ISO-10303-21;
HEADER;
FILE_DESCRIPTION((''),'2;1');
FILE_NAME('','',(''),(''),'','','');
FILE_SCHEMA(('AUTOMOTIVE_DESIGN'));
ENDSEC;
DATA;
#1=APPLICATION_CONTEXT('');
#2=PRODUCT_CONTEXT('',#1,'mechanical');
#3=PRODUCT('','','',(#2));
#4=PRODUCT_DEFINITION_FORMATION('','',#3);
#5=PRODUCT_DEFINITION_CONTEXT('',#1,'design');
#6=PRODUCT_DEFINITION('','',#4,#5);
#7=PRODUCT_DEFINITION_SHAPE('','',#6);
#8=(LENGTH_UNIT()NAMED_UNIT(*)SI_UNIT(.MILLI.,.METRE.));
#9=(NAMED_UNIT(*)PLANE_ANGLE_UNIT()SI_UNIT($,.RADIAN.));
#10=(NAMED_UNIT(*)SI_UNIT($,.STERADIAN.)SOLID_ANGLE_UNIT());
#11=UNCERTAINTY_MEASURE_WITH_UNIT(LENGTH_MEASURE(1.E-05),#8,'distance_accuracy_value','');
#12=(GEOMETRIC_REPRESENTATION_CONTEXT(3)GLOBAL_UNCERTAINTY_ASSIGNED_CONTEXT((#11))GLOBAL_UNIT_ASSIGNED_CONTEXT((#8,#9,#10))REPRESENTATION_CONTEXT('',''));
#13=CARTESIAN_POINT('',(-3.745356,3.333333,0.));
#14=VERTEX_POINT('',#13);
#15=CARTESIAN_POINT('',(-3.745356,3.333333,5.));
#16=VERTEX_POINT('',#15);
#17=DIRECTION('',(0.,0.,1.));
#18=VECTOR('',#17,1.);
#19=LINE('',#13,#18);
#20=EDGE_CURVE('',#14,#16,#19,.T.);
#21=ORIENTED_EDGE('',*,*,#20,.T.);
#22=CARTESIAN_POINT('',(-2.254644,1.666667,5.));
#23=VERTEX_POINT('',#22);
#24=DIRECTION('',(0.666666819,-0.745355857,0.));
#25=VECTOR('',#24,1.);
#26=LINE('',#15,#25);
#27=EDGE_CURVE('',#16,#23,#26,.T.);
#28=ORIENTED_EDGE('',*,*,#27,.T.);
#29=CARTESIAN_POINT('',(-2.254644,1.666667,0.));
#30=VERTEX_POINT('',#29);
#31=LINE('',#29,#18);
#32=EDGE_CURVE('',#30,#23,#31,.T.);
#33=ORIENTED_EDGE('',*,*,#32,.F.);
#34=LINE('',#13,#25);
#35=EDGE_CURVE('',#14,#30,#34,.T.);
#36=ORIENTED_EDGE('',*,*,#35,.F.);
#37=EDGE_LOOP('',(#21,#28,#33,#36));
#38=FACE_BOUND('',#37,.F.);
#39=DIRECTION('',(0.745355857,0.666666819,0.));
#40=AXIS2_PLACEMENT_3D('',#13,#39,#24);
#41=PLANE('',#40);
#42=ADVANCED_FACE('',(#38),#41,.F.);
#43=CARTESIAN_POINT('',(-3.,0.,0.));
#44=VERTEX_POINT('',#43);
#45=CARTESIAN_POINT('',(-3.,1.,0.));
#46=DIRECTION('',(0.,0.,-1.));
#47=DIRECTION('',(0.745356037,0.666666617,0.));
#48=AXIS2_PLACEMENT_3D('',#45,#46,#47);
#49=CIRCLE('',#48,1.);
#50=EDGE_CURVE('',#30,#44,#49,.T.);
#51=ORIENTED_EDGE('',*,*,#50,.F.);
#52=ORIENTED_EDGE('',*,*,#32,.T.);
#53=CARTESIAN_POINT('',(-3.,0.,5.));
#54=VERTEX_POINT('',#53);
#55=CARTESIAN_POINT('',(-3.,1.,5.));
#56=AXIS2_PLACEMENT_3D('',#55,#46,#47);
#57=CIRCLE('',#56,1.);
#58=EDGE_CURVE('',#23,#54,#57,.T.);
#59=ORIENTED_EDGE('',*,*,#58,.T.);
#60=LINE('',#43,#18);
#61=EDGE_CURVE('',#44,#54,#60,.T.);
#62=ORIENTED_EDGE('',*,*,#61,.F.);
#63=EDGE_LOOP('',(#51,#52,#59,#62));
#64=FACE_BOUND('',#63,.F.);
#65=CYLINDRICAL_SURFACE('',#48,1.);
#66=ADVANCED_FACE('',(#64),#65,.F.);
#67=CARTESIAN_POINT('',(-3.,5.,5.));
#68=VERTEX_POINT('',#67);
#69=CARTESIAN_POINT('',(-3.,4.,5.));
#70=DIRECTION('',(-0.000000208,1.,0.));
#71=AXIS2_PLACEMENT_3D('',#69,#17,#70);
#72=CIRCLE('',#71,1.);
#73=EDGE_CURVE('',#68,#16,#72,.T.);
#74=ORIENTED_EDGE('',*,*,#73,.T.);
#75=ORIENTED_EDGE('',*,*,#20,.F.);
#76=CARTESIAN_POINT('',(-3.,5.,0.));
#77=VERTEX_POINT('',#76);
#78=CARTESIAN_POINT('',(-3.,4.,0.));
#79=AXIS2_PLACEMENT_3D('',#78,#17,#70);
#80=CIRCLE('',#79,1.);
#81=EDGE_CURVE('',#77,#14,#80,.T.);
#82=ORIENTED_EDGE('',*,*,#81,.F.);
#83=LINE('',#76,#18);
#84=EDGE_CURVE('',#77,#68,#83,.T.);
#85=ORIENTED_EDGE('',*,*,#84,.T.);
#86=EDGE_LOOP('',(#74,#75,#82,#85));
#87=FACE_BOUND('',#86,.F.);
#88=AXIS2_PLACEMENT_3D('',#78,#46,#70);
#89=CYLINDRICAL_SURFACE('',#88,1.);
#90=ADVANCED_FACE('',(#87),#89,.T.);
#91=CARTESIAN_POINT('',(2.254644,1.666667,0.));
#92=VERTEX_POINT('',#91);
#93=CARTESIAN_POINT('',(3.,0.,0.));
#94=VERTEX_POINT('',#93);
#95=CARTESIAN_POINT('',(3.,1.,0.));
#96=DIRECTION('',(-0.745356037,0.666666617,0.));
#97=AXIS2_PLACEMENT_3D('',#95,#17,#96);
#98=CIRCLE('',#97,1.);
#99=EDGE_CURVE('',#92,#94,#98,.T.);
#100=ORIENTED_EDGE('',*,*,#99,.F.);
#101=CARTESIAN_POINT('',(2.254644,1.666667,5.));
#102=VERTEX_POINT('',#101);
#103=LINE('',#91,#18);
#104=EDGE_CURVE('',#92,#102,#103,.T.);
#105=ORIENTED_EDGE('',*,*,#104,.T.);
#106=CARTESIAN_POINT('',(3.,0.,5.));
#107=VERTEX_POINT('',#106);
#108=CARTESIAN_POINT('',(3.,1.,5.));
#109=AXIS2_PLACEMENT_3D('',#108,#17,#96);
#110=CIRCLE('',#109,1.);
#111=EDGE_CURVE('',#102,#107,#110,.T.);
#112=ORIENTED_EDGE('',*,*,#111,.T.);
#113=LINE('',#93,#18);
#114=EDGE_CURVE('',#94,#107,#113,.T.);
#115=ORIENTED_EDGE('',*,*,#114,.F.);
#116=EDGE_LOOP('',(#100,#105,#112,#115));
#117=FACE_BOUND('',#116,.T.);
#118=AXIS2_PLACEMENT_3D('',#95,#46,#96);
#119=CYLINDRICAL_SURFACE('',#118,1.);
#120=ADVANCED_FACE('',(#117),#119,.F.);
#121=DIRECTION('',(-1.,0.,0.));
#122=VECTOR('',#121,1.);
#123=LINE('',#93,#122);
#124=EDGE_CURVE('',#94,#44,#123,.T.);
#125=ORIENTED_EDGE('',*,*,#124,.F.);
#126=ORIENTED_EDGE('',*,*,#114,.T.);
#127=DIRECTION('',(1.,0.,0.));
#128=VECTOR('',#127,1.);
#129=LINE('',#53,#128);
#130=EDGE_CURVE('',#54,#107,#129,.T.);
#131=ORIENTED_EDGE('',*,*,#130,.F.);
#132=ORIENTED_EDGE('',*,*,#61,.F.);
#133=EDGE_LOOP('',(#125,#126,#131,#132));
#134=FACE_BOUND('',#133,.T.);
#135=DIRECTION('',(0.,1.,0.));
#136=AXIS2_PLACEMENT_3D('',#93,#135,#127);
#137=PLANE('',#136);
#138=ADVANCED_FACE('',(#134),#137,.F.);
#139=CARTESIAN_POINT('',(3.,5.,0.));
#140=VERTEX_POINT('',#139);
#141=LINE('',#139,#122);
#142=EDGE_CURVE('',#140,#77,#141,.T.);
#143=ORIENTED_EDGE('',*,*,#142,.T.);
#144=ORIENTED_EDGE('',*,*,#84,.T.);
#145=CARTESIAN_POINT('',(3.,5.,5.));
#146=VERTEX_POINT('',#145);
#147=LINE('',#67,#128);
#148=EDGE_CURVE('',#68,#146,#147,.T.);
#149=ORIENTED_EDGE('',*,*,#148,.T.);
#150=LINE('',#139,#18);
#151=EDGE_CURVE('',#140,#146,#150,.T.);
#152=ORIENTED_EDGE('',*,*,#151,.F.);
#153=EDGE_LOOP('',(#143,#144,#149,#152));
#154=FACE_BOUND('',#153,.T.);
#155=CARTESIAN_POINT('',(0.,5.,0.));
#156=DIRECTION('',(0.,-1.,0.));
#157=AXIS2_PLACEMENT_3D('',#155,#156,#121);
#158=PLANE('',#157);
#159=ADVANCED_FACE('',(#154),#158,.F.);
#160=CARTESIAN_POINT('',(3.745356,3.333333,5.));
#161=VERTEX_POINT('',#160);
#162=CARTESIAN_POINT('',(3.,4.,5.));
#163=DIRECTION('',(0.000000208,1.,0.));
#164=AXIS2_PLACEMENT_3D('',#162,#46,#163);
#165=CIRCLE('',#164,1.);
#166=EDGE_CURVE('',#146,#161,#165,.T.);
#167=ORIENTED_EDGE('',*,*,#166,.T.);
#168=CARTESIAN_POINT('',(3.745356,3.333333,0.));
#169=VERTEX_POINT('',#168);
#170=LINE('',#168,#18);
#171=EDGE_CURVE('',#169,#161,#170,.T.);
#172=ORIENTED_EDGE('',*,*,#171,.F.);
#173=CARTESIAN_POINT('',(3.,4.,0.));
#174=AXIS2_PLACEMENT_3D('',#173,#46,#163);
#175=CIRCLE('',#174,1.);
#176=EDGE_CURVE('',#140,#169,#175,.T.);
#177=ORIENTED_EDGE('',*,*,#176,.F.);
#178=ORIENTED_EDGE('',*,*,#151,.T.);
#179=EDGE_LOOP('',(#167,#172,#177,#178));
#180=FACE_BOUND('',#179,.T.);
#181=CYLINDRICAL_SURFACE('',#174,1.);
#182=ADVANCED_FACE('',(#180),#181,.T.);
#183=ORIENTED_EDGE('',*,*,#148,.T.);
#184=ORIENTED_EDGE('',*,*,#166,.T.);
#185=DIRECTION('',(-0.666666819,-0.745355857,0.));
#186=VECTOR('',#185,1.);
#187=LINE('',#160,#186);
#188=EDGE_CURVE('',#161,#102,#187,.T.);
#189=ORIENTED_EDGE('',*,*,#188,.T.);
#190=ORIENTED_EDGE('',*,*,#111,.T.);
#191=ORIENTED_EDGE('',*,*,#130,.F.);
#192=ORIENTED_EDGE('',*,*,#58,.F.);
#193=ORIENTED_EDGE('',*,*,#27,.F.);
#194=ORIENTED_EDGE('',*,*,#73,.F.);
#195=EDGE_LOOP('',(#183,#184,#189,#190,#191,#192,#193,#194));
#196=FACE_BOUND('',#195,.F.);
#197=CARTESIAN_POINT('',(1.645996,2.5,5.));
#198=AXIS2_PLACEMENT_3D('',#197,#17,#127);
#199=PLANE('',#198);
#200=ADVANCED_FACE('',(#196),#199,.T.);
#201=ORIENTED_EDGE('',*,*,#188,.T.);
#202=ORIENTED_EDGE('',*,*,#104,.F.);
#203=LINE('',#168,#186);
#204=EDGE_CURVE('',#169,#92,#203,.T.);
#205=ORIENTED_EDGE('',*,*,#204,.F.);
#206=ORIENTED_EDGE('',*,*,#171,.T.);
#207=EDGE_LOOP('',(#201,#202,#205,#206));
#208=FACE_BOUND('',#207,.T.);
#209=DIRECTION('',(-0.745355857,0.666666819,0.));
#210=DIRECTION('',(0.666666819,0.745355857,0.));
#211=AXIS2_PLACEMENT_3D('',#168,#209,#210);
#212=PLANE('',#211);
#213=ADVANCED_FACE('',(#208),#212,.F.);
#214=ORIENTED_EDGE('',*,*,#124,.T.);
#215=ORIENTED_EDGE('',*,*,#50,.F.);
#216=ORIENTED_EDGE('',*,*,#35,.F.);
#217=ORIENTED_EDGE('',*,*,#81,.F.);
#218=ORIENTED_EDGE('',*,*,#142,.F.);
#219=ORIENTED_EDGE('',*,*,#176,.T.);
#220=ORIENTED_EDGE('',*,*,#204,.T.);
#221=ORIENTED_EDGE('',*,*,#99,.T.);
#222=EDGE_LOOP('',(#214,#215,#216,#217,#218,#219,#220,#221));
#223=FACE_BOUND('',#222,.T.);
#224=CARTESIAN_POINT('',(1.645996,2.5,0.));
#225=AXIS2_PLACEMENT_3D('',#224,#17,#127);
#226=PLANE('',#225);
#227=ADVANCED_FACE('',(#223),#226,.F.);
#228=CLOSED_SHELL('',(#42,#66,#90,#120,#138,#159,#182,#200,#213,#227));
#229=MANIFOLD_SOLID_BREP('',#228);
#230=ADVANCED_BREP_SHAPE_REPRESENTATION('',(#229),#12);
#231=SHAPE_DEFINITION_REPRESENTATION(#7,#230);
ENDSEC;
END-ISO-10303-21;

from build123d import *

# Parameters (mm, degrees)
F1_DEPTH = 5


with BuildPart() as f1:
    # F0 (on Top) → F1 (new body)
    with BuildSketch(Plane.XY):
        with BuildLine():
            Line((0, 5), (-3, 5))
            ThreePointArc((-3, 5), (-3.912871, 4.408248), (-3.745356, 3.333333))
            Line((-3.745356, 3.333333), (-2.254644, 1.666667))
            ThreePointArc((-2.254644, 1.666667), (-2.087129, 0.591752), (-3, 0))
            Line((-3, 0), (0, 0))
            Line((0, 0), (0, 5))
        make_face()
    extrude(amount=F1_DEPTH)

    # F2: F1 across face


with BuildPart() as f1_1:
    add(f1.part)
    add(f1.part.mirror(Plane(origin=(0, 2.5, 2.5), x_dir=(0, 1, 0), z_dir=(1, 0, 0))))


solid = f1_1.part
